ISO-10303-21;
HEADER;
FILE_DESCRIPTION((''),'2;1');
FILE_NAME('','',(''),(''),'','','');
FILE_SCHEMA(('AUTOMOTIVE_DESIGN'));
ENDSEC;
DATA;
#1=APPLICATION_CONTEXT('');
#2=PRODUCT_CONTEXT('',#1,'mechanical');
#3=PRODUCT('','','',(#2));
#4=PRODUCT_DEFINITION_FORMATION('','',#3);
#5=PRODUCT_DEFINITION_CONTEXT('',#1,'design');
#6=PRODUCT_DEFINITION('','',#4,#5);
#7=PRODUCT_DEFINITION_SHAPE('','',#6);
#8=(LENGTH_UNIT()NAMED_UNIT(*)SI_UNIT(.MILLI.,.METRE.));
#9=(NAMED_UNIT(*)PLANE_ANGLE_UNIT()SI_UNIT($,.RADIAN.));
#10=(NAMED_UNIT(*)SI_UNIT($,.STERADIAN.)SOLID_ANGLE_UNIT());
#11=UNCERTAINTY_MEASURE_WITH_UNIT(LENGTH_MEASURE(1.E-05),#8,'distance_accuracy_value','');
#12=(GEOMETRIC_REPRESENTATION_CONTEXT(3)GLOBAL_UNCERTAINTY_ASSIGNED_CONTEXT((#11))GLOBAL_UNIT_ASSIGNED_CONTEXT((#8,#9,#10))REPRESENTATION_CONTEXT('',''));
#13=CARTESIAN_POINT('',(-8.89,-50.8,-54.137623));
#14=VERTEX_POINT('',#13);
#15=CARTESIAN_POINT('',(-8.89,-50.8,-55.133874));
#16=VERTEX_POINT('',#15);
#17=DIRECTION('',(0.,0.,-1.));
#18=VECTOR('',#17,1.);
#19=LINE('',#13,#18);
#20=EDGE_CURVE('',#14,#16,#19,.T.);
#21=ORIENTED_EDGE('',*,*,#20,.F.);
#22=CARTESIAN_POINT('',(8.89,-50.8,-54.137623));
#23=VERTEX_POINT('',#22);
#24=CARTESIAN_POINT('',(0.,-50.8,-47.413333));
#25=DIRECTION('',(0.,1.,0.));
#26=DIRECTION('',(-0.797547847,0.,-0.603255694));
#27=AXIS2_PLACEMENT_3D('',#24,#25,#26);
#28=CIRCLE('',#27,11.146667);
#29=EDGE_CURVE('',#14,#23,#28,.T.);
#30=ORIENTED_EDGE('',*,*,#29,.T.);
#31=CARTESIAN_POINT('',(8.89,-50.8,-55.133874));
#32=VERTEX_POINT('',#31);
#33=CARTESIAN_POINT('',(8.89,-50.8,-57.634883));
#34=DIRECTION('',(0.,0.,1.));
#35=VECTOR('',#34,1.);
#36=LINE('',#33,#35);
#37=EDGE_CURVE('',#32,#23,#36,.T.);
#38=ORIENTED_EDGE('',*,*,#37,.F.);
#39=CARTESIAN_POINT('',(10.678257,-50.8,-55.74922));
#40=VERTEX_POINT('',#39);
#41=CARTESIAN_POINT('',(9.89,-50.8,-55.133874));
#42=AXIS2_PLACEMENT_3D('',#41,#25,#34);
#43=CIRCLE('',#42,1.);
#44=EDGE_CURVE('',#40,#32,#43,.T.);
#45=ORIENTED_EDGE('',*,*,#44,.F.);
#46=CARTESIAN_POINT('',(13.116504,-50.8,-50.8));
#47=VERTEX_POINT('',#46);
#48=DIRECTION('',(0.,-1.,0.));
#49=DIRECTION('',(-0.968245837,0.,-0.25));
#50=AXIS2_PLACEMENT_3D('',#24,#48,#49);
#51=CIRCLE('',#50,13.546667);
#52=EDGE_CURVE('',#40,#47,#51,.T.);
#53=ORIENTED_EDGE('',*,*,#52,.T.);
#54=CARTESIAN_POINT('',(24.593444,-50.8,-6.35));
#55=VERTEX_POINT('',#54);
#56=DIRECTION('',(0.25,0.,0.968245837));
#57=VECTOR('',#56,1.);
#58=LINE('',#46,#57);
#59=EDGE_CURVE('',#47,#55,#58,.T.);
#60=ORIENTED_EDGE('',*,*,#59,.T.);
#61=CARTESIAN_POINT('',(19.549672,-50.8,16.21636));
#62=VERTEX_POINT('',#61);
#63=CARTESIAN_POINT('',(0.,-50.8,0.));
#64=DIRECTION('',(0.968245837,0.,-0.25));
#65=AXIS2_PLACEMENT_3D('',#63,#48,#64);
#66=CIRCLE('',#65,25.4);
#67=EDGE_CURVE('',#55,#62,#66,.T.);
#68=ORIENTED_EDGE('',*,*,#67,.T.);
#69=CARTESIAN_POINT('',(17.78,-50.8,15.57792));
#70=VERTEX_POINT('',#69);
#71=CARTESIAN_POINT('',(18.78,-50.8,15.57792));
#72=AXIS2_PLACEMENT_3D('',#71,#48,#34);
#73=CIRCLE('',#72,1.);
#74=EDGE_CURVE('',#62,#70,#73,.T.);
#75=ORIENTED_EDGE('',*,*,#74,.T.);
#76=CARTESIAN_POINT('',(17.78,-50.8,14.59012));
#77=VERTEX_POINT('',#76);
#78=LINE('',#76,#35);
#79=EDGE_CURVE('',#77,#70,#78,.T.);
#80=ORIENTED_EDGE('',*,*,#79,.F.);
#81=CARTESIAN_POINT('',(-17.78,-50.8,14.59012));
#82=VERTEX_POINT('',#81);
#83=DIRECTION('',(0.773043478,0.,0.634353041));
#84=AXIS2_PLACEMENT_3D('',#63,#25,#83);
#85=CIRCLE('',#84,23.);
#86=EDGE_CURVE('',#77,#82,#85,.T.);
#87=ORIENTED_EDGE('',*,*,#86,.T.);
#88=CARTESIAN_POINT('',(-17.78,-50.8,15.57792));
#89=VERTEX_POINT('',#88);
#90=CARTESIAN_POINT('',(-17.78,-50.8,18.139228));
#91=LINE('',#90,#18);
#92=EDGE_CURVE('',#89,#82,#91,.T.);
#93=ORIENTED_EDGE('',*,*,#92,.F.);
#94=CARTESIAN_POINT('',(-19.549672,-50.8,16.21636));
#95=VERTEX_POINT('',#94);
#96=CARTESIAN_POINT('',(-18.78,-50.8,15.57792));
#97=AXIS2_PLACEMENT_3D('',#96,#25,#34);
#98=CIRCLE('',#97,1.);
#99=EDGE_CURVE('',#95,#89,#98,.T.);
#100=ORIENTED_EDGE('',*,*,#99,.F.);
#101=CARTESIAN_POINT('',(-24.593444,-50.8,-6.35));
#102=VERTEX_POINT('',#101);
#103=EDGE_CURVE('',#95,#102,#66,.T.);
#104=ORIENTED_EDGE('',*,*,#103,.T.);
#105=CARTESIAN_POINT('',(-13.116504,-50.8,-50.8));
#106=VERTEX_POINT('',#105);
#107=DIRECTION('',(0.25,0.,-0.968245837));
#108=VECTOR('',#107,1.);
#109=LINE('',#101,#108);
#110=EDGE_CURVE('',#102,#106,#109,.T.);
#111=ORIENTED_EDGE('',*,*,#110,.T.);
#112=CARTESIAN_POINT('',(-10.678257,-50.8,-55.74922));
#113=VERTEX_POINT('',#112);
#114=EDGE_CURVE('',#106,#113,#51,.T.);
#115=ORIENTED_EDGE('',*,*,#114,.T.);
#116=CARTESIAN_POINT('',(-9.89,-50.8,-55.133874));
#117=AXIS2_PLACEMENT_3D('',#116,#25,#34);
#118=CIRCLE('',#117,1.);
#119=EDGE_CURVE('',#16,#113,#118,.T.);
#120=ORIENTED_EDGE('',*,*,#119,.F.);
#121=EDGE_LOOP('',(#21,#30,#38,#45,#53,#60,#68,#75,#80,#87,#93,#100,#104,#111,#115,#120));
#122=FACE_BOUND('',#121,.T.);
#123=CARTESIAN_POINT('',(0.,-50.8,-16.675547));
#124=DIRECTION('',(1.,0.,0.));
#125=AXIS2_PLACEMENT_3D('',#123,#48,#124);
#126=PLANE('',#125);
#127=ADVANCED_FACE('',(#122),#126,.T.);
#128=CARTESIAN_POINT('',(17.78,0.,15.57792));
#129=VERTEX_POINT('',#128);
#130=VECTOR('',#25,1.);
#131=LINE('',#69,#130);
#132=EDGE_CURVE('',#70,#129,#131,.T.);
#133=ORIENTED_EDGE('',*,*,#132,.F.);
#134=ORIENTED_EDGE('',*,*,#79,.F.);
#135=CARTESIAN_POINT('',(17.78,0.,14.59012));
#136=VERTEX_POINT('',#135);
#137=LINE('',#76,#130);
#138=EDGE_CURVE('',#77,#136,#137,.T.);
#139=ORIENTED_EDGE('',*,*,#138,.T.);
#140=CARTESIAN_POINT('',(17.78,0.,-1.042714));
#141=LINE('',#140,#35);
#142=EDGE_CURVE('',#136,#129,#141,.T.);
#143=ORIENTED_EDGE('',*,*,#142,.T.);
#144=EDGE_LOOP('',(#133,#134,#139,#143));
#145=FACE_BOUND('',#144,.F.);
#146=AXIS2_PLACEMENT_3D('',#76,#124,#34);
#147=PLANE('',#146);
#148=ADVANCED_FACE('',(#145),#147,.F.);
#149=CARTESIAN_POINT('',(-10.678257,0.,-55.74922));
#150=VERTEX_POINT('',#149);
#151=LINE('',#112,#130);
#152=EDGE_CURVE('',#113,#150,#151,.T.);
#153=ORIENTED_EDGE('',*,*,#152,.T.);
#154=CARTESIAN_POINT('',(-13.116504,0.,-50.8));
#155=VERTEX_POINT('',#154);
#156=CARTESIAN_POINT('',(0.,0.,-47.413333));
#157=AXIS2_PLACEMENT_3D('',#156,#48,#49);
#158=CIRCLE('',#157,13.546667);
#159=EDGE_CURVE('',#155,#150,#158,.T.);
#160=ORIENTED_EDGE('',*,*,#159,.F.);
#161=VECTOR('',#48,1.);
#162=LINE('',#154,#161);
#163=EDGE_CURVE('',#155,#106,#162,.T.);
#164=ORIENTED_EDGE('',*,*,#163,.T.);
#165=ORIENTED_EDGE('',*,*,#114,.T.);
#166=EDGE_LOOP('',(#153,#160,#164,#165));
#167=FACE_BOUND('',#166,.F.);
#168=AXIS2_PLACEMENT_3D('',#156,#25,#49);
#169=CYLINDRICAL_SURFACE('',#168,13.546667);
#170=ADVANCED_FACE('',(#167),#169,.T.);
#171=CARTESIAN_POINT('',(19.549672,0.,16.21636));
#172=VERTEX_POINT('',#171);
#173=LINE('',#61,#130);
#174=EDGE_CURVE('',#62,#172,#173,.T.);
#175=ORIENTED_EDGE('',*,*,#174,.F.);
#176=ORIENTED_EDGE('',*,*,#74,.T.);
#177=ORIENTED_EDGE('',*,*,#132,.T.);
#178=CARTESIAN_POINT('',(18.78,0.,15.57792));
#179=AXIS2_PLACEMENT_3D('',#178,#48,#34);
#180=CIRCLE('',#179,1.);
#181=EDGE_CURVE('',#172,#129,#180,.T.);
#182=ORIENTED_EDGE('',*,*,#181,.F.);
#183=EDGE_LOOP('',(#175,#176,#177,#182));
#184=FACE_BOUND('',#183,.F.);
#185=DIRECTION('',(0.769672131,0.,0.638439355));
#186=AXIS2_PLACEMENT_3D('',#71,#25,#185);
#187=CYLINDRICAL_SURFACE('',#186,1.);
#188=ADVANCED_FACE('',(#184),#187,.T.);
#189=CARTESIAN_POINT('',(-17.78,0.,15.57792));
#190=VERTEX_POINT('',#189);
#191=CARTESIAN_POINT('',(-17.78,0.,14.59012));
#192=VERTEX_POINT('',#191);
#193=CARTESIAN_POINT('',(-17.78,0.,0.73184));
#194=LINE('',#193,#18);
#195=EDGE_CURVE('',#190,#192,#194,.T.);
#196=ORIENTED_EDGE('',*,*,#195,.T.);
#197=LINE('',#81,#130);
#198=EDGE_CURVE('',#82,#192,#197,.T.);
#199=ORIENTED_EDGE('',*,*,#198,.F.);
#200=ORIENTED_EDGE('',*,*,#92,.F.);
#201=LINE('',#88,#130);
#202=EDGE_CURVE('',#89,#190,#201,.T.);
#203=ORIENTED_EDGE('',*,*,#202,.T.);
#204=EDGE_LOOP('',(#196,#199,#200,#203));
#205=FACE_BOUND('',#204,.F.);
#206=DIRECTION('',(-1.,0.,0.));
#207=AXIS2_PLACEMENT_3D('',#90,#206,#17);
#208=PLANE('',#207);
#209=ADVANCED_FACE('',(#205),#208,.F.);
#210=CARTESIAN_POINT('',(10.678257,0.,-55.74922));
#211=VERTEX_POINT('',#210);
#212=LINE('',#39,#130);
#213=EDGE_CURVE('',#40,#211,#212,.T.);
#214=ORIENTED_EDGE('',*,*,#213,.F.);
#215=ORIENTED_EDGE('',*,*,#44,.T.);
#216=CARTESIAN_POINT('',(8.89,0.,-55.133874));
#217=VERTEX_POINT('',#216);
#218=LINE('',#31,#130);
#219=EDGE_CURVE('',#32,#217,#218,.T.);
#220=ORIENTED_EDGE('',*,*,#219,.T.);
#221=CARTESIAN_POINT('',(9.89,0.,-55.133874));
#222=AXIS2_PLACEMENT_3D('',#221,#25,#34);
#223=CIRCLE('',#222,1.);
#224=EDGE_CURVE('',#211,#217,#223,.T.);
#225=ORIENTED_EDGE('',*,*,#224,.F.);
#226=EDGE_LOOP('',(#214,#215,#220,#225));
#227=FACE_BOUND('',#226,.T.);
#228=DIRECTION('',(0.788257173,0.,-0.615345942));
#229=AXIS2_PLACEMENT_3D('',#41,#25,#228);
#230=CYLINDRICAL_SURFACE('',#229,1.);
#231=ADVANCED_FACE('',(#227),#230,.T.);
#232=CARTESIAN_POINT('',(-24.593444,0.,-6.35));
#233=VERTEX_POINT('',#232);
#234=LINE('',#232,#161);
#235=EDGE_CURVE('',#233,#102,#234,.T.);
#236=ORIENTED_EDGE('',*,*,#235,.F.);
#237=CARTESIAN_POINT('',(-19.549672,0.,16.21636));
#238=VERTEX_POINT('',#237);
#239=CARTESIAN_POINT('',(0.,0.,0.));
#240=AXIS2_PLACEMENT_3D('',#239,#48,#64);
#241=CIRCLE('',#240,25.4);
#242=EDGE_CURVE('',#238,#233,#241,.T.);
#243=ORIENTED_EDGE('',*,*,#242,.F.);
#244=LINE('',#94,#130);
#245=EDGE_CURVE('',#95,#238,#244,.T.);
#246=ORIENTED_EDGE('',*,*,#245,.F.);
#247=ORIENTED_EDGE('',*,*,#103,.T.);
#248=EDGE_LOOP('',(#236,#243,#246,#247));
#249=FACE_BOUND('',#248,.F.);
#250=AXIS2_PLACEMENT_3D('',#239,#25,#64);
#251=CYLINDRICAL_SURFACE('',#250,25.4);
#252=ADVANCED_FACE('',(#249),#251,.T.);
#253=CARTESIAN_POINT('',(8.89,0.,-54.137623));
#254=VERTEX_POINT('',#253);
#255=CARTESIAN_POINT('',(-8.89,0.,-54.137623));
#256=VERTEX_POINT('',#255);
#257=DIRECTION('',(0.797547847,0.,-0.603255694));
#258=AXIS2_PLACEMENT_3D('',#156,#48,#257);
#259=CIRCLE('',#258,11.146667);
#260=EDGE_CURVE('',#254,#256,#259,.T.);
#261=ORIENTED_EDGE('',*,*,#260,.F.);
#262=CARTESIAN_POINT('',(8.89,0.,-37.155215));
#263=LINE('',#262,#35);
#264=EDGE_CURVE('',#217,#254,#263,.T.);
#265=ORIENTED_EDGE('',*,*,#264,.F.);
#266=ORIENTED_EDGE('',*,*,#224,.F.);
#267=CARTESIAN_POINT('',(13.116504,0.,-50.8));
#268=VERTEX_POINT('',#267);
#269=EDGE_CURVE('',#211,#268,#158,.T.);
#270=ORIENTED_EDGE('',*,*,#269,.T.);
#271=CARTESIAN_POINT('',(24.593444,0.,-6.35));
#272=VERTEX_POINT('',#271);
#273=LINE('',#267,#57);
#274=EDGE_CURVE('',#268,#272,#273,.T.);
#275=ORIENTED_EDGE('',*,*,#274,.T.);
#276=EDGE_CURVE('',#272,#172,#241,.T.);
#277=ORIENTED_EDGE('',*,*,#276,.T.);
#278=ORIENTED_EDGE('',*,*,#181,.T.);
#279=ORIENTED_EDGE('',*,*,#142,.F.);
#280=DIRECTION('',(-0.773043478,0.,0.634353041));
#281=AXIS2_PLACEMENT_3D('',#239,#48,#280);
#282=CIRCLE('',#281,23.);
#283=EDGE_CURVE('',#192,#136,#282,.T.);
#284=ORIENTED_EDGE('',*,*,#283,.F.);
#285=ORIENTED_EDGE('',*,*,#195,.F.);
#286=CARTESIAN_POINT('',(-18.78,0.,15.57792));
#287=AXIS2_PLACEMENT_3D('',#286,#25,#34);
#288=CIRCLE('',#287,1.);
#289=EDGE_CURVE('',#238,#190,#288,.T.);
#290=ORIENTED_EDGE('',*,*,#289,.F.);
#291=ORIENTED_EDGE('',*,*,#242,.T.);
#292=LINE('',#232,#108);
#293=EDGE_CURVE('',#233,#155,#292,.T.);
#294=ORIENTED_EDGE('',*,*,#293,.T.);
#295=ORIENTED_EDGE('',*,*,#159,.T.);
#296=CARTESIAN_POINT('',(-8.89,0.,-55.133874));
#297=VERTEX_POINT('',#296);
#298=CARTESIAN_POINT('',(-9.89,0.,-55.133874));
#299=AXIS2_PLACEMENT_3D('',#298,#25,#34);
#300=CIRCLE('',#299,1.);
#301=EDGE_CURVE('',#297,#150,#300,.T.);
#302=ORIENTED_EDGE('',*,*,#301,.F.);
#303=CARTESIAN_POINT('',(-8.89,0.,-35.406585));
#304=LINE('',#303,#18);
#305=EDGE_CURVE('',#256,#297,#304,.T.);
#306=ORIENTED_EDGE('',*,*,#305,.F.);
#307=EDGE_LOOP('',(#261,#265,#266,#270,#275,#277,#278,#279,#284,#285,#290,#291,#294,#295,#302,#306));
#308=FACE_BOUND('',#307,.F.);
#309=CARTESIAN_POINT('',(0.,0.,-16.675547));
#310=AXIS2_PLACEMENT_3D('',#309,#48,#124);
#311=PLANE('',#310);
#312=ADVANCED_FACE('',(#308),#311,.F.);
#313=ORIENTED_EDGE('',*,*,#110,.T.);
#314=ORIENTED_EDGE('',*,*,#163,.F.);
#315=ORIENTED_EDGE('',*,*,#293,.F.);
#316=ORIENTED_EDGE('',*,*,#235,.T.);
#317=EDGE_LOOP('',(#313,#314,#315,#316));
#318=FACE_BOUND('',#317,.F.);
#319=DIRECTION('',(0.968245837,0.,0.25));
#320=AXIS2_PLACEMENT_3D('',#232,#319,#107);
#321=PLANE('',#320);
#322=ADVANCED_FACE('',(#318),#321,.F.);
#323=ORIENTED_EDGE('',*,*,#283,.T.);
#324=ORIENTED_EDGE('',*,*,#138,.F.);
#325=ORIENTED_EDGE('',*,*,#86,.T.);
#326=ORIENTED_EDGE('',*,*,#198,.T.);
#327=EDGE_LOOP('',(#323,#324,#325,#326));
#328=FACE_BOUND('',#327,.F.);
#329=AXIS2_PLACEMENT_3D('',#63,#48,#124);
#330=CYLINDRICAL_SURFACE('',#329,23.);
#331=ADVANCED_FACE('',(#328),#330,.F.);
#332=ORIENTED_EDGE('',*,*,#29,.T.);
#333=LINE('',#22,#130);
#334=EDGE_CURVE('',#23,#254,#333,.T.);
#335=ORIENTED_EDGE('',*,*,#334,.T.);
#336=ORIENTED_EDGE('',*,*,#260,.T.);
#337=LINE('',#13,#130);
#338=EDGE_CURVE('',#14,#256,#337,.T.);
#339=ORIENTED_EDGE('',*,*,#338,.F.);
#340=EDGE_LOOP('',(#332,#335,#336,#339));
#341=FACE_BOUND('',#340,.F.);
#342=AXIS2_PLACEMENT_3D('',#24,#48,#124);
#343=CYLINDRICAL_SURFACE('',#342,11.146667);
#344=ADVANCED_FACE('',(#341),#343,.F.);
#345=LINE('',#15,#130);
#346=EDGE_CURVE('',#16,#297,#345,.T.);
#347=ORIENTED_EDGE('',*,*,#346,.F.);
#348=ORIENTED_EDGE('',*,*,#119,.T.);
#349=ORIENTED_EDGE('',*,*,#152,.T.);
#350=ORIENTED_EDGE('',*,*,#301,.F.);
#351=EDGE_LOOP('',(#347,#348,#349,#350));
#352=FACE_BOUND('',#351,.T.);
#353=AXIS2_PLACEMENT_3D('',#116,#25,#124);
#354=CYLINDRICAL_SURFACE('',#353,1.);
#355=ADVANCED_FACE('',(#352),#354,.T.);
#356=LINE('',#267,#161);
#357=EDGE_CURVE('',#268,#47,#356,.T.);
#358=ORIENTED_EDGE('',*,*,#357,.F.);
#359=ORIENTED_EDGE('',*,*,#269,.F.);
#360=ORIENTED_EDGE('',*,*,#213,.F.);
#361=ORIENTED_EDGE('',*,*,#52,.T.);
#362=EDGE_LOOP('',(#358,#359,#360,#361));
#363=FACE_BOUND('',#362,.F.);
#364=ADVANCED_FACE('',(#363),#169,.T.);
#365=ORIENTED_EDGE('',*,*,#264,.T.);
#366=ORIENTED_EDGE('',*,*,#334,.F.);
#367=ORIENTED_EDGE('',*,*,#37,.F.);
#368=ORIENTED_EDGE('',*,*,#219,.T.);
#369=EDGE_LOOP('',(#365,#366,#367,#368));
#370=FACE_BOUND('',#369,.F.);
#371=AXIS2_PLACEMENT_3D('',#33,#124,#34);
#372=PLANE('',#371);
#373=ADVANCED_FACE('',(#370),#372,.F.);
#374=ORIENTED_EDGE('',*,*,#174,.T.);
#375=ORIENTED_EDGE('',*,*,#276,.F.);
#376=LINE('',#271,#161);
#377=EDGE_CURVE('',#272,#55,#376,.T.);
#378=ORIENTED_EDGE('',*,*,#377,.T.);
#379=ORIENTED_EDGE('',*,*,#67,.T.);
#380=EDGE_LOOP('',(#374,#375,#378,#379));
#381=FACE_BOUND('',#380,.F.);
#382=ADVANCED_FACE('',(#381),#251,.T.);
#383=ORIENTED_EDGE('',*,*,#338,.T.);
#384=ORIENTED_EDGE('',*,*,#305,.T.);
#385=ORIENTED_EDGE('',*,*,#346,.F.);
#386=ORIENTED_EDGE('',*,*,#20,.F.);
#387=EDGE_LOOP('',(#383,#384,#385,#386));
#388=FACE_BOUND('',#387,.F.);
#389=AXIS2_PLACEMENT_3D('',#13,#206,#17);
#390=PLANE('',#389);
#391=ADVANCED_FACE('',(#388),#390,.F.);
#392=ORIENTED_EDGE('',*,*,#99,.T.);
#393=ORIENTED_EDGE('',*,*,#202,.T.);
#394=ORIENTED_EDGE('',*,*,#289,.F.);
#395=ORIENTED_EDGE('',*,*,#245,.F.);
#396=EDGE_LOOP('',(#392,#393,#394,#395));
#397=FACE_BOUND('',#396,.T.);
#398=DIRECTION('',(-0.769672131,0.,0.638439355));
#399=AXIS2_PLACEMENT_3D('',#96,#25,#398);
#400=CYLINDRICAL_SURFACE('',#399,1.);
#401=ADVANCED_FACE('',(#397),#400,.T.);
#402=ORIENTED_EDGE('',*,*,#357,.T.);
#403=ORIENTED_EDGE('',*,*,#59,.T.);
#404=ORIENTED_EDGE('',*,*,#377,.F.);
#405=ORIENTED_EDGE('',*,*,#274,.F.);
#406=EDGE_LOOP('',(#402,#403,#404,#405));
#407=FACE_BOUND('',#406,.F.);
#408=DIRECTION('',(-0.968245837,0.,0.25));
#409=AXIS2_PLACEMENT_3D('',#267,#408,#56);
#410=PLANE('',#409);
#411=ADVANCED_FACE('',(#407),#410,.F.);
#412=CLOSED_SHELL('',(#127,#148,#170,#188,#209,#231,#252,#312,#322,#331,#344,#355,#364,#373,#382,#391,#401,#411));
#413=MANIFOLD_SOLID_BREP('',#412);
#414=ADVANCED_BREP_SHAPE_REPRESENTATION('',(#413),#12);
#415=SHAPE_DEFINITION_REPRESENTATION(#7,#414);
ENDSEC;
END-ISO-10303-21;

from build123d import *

# Parameters (mm, degrees)
F1_DEPTH = 50.8
F2_R     = 23
F2_R_2   = 11.1466666667
F3_DEPTH = 50.801
F5_DEPTH = 50.801
F6_R     = 1


with BuildPart() as f1:
    # F0 (on Front) → F1 (new body)
    with BuildSketch(Plane.XZ):
        with BuildLine():
            ThreePointArc((24.5934442484, -6.35), (0, 25.4), (-24.5934442484, -6.35))
            Line((-24.5934442484, -6.35), (-13.1165035992, -50.8))
            ThreePointArc((-13.1165035992, -50.8), (0, -60.96), (13.1165035992, -50.8))
            Line((13.1165035992, -50.8), (24.5934442484, -6.35))
        make_face()
    extrude(amount=F1_DEPTH)

    # F2 (on face) → F3 (cut, through all)
    with BuildSketch(Plane.XZ.offset(50.8)):
        Circle(F2_R)
        with Locations((0, -47.4133333333)):
            Circle(F2_R_2)
    extrude(amount=-F3_DEPTH, mode=Mode.SUBTRACT)

    # F4 (on face) → F5 (cut, through all)
    with BuildSketch(Plane.XZ.offset(50.8)):
        with BuildLine():
            ThreePointArc((-17.78, 14.5901199447), (0, 23), (17.78, 14.5901199447))
            Line((17.78, 14.5901199447), (17.78, 18.1392282085))
            ThreePointArc((17.78, 18.1392282085), (0, 25.4), (-17.78, 18.1392282085))
            Line((-17.78, 18.1392282085), (-17.78, 14.5901199447))
        make_face()
        with BuildLine():
            ThreePointArc((-8.89, -57.6348830093), (0, -60.96), (8.89, -57.6348830093))
            Line((8.89, -57.6348830093), (8.89, -54.1376234652))
            ThreePointArc((8.89, -54.1376234652), (0, -58.56), (-8.89, -54.1376234652))
            Line((-8.89, -54.1376234652), (-8.89, -57.6348830093))
        make_face()
    extrude(amount=-F5_DEPTH, mode=Mode.SUBTRACT)

    # F6
    f6_edges = [f1.edges().sort_by_distance(p)[0] for p in [
        (17.78, -25.4, 18.139228),
        (-17.78, -25.4, 18.139228),
        (8.89, -25.4, -57.634883),
        (-8.89, -25.4, -57.634883),
    ]]
    fillet(f6_edges, radius=F6_R)


solid = f1.part
